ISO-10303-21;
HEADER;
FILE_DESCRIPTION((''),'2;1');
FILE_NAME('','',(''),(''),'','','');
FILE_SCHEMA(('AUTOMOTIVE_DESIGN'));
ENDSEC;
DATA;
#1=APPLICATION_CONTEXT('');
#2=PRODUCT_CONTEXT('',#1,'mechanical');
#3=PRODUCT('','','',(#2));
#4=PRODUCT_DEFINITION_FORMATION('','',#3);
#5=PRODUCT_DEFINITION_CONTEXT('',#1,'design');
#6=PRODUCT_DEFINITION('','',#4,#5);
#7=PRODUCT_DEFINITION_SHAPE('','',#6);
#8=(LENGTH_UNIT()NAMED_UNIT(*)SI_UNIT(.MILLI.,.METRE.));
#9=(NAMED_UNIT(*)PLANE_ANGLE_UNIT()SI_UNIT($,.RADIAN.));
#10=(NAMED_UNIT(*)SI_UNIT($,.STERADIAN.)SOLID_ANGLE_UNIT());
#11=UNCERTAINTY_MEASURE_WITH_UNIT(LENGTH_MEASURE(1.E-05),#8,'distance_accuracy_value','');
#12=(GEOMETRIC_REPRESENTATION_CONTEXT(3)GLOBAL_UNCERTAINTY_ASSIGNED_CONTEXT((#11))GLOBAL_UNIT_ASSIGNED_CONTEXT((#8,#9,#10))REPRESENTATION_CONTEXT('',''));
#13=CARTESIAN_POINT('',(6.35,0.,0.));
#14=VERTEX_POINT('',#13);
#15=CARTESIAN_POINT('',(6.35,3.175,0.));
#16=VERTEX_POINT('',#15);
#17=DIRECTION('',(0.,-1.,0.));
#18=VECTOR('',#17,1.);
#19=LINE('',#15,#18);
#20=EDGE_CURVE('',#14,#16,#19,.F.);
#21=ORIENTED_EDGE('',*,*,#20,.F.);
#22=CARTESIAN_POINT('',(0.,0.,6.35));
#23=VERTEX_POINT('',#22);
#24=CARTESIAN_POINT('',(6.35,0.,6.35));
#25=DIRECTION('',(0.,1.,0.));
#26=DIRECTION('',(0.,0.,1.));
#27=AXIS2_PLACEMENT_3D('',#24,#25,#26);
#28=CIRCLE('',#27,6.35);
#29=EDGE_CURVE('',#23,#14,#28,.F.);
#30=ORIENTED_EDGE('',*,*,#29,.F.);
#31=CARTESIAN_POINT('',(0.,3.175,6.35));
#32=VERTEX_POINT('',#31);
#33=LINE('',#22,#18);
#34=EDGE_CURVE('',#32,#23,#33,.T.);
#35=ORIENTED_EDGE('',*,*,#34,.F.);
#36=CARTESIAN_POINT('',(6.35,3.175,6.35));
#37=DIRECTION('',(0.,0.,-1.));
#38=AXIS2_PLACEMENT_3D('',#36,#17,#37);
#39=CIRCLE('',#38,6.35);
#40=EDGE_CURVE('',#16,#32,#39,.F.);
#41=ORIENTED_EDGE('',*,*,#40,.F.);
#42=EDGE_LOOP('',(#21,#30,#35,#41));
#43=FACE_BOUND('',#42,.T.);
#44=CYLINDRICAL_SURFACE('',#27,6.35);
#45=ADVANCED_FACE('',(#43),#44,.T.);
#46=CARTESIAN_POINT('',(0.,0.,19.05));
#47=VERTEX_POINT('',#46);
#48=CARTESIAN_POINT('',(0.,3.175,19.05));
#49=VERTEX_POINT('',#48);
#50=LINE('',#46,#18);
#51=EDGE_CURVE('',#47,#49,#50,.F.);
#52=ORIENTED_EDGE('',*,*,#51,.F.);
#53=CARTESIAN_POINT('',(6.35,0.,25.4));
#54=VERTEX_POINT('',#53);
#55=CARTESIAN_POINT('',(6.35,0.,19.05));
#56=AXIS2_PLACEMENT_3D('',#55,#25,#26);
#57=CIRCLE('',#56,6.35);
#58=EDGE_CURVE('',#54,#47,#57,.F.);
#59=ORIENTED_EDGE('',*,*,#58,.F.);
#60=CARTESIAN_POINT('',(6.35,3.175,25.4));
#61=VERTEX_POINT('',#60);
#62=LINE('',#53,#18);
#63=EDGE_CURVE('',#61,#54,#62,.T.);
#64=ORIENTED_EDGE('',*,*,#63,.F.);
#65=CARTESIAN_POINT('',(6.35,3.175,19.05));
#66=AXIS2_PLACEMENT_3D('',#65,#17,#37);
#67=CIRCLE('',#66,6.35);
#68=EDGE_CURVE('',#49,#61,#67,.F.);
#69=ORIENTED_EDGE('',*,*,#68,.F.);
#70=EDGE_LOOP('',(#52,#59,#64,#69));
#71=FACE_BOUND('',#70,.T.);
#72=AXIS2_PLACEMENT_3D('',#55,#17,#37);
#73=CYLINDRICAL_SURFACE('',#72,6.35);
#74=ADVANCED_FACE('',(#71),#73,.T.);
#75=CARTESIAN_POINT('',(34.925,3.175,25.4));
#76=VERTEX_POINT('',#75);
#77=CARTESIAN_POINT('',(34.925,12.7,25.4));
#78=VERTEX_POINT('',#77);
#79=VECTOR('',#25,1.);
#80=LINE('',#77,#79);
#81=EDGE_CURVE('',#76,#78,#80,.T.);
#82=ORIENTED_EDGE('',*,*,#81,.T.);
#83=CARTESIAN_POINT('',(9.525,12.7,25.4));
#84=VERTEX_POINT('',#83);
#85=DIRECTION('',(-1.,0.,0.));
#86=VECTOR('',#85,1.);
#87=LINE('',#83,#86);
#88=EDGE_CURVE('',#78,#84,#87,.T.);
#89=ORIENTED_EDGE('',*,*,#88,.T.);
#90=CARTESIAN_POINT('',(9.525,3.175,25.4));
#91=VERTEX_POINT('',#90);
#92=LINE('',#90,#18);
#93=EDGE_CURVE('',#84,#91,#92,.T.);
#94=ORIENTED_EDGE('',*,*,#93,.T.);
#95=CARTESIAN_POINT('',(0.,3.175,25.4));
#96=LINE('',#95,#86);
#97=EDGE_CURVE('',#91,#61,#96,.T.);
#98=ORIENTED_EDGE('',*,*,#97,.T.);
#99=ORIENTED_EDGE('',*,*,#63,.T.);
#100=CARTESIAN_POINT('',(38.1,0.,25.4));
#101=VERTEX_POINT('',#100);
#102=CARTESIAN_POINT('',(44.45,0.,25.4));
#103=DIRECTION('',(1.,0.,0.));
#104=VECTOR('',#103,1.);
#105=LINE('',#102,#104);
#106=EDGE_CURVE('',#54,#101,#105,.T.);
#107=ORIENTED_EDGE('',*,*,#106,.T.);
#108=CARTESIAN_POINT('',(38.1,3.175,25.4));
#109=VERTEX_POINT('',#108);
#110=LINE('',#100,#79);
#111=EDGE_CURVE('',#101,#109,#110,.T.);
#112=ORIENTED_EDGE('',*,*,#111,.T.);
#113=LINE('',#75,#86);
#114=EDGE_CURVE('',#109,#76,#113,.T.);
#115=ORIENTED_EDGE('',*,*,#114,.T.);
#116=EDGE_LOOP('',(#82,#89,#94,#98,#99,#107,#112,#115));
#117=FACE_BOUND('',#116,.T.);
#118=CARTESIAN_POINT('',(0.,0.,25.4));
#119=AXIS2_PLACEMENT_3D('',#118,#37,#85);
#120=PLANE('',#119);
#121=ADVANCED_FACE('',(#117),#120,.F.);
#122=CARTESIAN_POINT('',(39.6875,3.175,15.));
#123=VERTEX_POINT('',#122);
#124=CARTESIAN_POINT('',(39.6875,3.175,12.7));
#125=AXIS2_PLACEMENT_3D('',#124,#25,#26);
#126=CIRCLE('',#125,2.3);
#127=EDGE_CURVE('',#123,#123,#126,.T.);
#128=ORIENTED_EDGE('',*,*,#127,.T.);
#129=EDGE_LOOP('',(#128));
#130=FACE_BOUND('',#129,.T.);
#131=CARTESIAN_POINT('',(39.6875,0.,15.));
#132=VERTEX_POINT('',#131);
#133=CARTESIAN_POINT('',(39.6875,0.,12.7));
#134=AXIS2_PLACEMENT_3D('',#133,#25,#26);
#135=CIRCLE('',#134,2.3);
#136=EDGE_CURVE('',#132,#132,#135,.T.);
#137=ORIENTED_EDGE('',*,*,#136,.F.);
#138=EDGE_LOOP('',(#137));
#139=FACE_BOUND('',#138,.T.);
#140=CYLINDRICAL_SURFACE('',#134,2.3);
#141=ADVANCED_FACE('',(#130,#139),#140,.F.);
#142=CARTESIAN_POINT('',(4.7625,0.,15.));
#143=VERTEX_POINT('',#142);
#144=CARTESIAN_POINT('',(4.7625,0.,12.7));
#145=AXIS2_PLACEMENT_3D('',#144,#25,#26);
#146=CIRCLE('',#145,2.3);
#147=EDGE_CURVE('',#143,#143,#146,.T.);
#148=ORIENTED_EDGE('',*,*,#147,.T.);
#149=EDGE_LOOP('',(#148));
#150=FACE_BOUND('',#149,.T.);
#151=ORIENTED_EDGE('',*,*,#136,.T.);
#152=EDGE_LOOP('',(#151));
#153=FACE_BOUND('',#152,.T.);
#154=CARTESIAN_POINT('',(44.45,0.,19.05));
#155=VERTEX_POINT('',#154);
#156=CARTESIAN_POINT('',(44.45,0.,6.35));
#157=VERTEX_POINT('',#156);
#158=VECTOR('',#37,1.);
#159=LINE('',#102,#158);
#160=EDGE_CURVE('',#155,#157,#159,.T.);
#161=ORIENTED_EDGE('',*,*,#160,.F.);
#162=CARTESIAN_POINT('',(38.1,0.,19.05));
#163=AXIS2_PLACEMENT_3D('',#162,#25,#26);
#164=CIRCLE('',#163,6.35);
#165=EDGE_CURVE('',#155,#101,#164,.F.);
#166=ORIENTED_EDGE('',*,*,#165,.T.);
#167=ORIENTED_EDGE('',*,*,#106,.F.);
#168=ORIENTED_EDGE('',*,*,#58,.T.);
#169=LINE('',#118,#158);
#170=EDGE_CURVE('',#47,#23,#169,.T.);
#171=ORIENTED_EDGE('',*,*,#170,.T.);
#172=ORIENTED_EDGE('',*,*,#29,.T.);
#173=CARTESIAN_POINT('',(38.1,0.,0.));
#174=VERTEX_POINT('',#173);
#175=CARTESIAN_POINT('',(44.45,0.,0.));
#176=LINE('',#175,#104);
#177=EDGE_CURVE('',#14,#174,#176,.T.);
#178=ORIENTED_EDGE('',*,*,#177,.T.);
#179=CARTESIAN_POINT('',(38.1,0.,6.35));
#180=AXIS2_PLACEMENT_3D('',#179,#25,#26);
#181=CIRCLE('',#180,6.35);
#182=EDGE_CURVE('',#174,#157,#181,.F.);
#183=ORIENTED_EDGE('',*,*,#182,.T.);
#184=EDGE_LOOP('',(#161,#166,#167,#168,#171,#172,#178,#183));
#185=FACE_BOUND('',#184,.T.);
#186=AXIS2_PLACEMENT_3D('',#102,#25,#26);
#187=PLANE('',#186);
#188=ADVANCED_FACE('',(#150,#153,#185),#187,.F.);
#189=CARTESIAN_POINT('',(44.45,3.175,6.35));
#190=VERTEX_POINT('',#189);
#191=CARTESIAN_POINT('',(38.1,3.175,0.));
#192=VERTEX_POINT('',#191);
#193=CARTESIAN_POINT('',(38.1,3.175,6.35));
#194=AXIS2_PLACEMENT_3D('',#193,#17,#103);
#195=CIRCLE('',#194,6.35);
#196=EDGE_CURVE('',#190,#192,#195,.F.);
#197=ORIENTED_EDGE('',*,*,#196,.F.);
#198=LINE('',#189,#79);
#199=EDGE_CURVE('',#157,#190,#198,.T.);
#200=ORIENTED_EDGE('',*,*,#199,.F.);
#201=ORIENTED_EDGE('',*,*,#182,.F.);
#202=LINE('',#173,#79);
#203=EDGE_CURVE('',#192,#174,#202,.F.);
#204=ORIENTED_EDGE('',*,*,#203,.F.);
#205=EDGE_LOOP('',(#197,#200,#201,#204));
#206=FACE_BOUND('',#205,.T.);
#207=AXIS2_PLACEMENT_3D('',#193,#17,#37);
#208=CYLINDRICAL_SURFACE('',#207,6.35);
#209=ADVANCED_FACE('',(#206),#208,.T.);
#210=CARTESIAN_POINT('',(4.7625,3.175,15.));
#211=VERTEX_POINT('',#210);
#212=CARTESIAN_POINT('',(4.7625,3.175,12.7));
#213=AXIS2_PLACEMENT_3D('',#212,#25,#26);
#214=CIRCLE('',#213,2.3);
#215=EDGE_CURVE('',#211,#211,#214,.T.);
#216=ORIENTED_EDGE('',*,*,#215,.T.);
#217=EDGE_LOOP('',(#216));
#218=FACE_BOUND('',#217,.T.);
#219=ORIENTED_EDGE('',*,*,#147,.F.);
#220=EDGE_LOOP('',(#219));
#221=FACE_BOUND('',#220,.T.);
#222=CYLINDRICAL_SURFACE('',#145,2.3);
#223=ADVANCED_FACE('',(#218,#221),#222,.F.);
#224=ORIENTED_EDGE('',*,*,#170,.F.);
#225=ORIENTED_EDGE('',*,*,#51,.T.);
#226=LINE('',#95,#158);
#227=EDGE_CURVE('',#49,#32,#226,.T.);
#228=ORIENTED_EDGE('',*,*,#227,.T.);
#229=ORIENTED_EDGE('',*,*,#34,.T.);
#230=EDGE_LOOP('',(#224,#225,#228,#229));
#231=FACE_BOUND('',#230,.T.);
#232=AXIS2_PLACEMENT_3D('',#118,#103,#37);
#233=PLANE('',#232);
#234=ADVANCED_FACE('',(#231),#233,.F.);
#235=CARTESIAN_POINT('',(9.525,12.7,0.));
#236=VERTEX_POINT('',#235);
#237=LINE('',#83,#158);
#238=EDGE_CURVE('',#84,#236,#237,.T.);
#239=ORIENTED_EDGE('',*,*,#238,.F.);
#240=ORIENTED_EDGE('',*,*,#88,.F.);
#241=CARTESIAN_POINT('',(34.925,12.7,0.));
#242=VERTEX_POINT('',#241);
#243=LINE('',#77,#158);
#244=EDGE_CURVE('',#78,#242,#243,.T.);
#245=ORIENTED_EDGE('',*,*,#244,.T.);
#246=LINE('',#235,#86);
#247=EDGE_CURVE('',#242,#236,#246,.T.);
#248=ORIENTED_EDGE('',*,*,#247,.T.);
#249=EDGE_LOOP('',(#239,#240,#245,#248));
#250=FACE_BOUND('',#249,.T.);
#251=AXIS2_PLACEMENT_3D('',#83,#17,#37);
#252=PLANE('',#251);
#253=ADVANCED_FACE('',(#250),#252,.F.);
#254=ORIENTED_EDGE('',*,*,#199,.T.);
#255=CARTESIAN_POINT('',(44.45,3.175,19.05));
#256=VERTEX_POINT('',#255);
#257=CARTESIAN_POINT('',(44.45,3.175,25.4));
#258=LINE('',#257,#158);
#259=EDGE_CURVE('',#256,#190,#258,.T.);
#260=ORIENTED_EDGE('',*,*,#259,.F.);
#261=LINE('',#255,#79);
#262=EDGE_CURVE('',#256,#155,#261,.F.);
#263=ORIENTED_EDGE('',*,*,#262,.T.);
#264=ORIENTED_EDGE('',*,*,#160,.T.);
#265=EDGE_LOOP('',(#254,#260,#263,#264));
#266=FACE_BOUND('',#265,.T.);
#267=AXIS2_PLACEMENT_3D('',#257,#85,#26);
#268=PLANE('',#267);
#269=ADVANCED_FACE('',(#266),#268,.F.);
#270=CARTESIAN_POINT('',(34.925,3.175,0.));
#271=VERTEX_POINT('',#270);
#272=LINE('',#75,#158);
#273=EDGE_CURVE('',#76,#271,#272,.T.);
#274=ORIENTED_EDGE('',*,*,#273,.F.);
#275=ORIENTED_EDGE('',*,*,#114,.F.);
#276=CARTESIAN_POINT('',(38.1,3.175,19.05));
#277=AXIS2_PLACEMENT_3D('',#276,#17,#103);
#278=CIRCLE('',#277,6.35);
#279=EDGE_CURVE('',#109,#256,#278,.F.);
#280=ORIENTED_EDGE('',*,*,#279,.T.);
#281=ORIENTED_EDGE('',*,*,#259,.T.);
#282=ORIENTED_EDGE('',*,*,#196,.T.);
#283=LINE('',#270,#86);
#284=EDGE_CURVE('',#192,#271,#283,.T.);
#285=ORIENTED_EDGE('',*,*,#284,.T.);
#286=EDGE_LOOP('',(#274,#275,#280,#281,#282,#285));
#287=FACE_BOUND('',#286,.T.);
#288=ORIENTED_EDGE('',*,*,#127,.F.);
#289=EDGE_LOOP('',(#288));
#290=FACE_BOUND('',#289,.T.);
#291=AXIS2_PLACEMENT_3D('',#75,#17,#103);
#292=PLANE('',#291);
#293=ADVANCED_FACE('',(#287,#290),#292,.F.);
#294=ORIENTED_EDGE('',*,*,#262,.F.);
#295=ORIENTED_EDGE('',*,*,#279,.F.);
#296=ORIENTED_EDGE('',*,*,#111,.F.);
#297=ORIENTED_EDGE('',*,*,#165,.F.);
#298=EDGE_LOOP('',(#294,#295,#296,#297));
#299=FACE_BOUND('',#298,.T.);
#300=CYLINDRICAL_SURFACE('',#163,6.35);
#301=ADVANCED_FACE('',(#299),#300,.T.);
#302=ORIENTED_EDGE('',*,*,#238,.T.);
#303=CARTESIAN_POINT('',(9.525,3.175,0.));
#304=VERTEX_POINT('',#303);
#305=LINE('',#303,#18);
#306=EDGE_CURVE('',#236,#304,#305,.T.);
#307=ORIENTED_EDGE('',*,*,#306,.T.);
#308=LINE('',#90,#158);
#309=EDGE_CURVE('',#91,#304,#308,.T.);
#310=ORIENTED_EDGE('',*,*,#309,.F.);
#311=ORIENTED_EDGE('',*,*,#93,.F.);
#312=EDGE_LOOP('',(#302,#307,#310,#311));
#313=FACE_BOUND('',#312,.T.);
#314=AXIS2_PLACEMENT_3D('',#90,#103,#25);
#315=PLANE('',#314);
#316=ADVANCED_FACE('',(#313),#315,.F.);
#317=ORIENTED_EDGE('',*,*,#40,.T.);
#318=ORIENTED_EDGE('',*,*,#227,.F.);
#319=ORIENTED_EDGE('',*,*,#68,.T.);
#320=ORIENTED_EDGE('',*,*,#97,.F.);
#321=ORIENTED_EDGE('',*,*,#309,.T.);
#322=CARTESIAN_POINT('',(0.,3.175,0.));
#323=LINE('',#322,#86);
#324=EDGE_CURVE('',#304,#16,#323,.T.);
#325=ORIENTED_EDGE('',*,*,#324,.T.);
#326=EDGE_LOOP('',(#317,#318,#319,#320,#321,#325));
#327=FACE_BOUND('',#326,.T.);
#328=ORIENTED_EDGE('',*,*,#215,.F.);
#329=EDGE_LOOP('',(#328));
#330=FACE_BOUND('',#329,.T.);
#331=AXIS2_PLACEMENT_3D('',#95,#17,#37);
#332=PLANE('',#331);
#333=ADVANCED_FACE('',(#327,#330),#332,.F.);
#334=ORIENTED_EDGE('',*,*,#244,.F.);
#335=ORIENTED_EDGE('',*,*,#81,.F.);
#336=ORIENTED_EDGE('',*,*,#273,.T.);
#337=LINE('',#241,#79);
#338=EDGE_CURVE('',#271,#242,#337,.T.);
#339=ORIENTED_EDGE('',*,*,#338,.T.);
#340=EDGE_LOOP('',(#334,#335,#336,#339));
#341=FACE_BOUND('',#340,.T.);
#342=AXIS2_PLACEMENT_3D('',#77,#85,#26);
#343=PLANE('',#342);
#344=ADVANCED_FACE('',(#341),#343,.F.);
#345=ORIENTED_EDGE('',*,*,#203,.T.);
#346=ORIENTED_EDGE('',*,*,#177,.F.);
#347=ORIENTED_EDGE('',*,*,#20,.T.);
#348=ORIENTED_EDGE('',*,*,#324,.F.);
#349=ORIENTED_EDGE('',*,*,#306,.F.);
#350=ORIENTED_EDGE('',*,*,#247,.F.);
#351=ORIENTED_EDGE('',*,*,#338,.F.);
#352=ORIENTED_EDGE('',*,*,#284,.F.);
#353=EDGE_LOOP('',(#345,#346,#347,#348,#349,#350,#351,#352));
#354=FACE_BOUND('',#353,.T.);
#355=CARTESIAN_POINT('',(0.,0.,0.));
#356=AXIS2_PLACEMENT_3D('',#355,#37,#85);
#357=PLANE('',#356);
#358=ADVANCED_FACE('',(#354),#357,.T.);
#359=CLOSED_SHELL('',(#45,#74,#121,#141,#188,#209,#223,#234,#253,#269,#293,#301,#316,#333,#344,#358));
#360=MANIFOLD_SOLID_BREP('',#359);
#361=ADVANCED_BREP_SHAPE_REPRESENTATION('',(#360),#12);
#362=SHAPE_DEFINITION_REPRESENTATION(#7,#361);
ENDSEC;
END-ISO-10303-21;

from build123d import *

# Parameters (mm, degrees)
BOSS_EXTRUDE1_DEPTH     = 25.4
CUT_EXTRUDE1_DEPTH      = 53.073871807
CUT_EXTRUDE1_DEPTH_BACK = 53.073871807
SKETCH2_R               = 2.3
FILLET1_R               = 6.35


with BuildPart() as part:
    # Sketch1 → Boss-Extrude1 (new body)
    with BuildSketch(Plane.XY):
        Polygon((0, 0), (0, 3.175), (9.525, 3.175), (9.525, 12.7), (34.925, 12.7), (34.925, 3.175), (44.45, 3.175), (44.45, 0), align=None)
    extrude(amount=BOSS_EXTRUDE1_DEPTH)

    # Sketch2 → Cut-Extrude1 (cut, two sides: drawn at the far end of the back side and taken through both)
    with BuildSketch(Plane(origin=(0, 3.175, 0), x_dir=(1, 0, 0), z_dir=(0, 1, 0)).offset(-CUT_EXTRUDE1_DEPTH_BACK)):
        with Locations(Location((4.7625, -12.7, 0), (0, 0, 270))):
            Circle(SKETCH2_R)
        with Locations(Location((39.6875, -12.7, 0), (0, 0, 270))):
            Circle(SKETCH2_R)
    extrude(amount=CUT_EXTRUDE1_DEPTH + CUT_EXTRUDE1_DEPTH_BACK, mode=Mode.SUBTRACT)

    # Fillet1
    fillet1_edges = [part.edges().sort_by_distance(p)[0] for p in [
        (44.45, 1.5875, 0),
        (0, 1.5875, 25.4),
        (0, 1.5875, 0),
        (44.45, 1.5875, 25.4),
    ]]
    fillet(fillet1_edges, radius=FILLET1_R)


solid = part.part
